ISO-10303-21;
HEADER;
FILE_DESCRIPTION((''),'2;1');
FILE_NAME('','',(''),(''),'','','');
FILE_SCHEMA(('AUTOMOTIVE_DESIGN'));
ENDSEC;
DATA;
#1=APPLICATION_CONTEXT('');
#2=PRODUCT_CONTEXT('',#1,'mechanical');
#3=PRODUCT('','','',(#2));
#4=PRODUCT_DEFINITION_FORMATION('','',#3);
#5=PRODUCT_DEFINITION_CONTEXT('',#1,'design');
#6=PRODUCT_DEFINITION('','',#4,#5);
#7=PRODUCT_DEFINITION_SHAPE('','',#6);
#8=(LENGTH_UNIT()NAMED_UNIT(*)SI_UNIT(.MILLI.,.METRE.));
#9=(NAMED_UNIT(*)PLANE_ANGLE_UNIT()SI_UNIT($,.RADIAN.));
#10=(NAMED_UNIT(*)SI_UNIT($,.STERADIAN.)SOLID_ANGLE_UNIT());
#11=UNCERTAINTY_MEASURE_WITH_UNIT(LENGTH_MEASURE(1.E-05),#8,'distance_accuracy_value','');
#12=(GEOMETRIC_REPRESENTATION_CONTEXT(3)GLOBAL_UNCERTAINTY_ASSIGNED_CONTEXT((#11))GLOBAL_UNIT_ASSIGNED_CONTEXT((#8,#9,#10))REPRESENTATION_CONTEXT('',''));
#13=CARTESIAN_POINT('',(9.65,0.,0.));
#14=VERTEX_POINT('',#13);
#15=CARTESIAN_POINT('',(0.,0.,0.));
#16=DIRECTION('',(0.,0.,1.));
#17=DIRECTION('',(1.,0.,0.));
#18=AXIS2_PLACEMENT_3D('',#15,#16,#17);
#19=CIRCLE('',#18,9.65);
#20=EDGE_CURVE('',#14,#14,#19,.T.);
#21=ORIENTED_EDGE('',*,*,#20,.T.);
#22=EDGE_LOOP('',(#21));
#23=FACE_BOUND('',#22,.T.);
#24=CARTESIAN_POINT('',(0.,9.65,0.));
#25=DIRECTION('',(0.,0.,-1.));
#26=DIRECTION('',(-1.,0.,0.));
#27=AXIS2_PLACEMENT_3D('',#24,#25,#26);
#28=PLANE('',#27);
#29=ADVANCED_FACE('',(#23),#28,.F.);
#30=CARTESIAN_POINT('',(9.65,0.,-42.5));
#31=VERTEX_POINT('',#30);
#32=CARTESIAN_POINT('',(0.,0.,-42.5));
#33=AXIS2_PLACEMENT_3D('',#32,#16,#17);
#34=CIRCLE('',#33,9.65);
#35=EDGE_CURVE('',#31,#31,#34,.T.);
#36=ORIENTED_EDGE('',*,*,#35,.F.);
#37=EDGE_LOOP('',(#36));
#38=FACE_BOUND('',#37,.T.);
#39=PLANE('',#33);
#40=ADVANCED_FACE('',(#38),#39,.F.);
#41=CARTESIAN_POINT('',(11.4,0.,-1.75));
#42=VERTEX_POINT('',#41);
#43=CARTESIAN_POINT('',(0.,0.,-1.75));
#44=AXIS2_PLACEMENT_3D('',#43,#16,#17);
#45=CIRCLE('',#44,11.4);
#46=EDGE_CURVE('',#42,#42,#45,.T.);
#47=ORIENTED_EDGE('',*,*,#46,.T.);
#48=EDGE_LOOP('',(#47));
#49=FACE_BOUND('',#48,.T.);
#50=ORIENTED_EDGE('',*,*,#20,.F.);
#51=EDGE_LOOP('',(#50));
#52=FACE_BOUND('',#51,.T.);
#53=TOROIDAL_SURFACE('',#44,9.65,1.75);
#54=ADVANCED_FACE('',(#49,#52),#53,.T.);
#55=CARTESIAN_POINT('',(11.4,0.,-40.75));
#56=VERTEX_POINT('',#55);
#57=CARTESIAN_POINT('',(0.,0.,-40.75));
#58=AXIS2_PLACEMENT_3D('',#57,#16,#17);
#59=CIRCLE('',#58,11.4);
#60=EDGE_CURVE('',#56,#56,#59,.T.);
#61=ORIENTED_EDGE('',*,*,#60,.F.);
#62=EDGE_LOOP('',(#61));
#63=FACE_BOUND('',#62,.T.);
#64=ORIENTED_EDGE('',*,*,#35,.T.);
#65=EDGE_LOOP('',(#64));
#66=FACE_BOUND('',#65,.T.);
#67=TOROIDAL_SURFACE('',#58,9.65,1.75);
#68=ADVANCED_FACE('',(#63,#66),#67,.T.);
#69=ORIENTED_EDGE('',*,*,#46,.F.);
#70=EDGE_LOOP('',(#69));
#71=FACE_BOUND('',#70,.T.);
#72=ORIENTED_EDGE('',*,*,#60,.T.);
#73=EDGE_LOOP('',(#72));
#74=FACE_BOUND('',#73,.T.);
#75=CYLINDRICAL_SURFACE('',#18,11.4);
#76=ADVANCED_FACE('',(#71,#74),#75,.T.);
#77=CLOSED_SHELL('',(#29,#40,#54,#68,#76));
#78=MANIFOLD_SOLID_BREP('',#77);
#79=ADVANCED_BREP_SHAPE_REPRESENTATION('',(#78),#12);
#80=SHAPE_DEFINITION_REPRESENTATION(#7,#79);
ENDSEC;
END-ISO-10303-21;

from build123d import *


with BuildPart() as part:
    # Sketch1 → Revolve1 (revolve)
    with BuildSketch(Plane(origin=(0, 0, 0), x_dir=(0, 0, -1), z_dir=(1, 0, 0)), mode=Mode.PRIVATE) as revolve1_sk:
        with BuildLine():
            Line((0, 0), (42.5, 0))
            Line((42.5, 0), (42.5, 9.65))
            ThreePointArc((42.5, 9.65), (41.987436867, 10.887436867), (40.75, 11.4))
            Line((40.75, 11.4), (1.75, 11.4))
            ThreePointArc((1.75, 11.4), (0.512563133, 10.887436867), (0, 9.65))
            Line((0, 9.65), (0, 0))
        make_face()
    revolve(revolve1_sk.sketch.rotate(Axis((0, 0, 0), (0, 0, -1)), 90), axis=Axis((0, 0, 0), (0, 0, -1)))


solid = part.part
